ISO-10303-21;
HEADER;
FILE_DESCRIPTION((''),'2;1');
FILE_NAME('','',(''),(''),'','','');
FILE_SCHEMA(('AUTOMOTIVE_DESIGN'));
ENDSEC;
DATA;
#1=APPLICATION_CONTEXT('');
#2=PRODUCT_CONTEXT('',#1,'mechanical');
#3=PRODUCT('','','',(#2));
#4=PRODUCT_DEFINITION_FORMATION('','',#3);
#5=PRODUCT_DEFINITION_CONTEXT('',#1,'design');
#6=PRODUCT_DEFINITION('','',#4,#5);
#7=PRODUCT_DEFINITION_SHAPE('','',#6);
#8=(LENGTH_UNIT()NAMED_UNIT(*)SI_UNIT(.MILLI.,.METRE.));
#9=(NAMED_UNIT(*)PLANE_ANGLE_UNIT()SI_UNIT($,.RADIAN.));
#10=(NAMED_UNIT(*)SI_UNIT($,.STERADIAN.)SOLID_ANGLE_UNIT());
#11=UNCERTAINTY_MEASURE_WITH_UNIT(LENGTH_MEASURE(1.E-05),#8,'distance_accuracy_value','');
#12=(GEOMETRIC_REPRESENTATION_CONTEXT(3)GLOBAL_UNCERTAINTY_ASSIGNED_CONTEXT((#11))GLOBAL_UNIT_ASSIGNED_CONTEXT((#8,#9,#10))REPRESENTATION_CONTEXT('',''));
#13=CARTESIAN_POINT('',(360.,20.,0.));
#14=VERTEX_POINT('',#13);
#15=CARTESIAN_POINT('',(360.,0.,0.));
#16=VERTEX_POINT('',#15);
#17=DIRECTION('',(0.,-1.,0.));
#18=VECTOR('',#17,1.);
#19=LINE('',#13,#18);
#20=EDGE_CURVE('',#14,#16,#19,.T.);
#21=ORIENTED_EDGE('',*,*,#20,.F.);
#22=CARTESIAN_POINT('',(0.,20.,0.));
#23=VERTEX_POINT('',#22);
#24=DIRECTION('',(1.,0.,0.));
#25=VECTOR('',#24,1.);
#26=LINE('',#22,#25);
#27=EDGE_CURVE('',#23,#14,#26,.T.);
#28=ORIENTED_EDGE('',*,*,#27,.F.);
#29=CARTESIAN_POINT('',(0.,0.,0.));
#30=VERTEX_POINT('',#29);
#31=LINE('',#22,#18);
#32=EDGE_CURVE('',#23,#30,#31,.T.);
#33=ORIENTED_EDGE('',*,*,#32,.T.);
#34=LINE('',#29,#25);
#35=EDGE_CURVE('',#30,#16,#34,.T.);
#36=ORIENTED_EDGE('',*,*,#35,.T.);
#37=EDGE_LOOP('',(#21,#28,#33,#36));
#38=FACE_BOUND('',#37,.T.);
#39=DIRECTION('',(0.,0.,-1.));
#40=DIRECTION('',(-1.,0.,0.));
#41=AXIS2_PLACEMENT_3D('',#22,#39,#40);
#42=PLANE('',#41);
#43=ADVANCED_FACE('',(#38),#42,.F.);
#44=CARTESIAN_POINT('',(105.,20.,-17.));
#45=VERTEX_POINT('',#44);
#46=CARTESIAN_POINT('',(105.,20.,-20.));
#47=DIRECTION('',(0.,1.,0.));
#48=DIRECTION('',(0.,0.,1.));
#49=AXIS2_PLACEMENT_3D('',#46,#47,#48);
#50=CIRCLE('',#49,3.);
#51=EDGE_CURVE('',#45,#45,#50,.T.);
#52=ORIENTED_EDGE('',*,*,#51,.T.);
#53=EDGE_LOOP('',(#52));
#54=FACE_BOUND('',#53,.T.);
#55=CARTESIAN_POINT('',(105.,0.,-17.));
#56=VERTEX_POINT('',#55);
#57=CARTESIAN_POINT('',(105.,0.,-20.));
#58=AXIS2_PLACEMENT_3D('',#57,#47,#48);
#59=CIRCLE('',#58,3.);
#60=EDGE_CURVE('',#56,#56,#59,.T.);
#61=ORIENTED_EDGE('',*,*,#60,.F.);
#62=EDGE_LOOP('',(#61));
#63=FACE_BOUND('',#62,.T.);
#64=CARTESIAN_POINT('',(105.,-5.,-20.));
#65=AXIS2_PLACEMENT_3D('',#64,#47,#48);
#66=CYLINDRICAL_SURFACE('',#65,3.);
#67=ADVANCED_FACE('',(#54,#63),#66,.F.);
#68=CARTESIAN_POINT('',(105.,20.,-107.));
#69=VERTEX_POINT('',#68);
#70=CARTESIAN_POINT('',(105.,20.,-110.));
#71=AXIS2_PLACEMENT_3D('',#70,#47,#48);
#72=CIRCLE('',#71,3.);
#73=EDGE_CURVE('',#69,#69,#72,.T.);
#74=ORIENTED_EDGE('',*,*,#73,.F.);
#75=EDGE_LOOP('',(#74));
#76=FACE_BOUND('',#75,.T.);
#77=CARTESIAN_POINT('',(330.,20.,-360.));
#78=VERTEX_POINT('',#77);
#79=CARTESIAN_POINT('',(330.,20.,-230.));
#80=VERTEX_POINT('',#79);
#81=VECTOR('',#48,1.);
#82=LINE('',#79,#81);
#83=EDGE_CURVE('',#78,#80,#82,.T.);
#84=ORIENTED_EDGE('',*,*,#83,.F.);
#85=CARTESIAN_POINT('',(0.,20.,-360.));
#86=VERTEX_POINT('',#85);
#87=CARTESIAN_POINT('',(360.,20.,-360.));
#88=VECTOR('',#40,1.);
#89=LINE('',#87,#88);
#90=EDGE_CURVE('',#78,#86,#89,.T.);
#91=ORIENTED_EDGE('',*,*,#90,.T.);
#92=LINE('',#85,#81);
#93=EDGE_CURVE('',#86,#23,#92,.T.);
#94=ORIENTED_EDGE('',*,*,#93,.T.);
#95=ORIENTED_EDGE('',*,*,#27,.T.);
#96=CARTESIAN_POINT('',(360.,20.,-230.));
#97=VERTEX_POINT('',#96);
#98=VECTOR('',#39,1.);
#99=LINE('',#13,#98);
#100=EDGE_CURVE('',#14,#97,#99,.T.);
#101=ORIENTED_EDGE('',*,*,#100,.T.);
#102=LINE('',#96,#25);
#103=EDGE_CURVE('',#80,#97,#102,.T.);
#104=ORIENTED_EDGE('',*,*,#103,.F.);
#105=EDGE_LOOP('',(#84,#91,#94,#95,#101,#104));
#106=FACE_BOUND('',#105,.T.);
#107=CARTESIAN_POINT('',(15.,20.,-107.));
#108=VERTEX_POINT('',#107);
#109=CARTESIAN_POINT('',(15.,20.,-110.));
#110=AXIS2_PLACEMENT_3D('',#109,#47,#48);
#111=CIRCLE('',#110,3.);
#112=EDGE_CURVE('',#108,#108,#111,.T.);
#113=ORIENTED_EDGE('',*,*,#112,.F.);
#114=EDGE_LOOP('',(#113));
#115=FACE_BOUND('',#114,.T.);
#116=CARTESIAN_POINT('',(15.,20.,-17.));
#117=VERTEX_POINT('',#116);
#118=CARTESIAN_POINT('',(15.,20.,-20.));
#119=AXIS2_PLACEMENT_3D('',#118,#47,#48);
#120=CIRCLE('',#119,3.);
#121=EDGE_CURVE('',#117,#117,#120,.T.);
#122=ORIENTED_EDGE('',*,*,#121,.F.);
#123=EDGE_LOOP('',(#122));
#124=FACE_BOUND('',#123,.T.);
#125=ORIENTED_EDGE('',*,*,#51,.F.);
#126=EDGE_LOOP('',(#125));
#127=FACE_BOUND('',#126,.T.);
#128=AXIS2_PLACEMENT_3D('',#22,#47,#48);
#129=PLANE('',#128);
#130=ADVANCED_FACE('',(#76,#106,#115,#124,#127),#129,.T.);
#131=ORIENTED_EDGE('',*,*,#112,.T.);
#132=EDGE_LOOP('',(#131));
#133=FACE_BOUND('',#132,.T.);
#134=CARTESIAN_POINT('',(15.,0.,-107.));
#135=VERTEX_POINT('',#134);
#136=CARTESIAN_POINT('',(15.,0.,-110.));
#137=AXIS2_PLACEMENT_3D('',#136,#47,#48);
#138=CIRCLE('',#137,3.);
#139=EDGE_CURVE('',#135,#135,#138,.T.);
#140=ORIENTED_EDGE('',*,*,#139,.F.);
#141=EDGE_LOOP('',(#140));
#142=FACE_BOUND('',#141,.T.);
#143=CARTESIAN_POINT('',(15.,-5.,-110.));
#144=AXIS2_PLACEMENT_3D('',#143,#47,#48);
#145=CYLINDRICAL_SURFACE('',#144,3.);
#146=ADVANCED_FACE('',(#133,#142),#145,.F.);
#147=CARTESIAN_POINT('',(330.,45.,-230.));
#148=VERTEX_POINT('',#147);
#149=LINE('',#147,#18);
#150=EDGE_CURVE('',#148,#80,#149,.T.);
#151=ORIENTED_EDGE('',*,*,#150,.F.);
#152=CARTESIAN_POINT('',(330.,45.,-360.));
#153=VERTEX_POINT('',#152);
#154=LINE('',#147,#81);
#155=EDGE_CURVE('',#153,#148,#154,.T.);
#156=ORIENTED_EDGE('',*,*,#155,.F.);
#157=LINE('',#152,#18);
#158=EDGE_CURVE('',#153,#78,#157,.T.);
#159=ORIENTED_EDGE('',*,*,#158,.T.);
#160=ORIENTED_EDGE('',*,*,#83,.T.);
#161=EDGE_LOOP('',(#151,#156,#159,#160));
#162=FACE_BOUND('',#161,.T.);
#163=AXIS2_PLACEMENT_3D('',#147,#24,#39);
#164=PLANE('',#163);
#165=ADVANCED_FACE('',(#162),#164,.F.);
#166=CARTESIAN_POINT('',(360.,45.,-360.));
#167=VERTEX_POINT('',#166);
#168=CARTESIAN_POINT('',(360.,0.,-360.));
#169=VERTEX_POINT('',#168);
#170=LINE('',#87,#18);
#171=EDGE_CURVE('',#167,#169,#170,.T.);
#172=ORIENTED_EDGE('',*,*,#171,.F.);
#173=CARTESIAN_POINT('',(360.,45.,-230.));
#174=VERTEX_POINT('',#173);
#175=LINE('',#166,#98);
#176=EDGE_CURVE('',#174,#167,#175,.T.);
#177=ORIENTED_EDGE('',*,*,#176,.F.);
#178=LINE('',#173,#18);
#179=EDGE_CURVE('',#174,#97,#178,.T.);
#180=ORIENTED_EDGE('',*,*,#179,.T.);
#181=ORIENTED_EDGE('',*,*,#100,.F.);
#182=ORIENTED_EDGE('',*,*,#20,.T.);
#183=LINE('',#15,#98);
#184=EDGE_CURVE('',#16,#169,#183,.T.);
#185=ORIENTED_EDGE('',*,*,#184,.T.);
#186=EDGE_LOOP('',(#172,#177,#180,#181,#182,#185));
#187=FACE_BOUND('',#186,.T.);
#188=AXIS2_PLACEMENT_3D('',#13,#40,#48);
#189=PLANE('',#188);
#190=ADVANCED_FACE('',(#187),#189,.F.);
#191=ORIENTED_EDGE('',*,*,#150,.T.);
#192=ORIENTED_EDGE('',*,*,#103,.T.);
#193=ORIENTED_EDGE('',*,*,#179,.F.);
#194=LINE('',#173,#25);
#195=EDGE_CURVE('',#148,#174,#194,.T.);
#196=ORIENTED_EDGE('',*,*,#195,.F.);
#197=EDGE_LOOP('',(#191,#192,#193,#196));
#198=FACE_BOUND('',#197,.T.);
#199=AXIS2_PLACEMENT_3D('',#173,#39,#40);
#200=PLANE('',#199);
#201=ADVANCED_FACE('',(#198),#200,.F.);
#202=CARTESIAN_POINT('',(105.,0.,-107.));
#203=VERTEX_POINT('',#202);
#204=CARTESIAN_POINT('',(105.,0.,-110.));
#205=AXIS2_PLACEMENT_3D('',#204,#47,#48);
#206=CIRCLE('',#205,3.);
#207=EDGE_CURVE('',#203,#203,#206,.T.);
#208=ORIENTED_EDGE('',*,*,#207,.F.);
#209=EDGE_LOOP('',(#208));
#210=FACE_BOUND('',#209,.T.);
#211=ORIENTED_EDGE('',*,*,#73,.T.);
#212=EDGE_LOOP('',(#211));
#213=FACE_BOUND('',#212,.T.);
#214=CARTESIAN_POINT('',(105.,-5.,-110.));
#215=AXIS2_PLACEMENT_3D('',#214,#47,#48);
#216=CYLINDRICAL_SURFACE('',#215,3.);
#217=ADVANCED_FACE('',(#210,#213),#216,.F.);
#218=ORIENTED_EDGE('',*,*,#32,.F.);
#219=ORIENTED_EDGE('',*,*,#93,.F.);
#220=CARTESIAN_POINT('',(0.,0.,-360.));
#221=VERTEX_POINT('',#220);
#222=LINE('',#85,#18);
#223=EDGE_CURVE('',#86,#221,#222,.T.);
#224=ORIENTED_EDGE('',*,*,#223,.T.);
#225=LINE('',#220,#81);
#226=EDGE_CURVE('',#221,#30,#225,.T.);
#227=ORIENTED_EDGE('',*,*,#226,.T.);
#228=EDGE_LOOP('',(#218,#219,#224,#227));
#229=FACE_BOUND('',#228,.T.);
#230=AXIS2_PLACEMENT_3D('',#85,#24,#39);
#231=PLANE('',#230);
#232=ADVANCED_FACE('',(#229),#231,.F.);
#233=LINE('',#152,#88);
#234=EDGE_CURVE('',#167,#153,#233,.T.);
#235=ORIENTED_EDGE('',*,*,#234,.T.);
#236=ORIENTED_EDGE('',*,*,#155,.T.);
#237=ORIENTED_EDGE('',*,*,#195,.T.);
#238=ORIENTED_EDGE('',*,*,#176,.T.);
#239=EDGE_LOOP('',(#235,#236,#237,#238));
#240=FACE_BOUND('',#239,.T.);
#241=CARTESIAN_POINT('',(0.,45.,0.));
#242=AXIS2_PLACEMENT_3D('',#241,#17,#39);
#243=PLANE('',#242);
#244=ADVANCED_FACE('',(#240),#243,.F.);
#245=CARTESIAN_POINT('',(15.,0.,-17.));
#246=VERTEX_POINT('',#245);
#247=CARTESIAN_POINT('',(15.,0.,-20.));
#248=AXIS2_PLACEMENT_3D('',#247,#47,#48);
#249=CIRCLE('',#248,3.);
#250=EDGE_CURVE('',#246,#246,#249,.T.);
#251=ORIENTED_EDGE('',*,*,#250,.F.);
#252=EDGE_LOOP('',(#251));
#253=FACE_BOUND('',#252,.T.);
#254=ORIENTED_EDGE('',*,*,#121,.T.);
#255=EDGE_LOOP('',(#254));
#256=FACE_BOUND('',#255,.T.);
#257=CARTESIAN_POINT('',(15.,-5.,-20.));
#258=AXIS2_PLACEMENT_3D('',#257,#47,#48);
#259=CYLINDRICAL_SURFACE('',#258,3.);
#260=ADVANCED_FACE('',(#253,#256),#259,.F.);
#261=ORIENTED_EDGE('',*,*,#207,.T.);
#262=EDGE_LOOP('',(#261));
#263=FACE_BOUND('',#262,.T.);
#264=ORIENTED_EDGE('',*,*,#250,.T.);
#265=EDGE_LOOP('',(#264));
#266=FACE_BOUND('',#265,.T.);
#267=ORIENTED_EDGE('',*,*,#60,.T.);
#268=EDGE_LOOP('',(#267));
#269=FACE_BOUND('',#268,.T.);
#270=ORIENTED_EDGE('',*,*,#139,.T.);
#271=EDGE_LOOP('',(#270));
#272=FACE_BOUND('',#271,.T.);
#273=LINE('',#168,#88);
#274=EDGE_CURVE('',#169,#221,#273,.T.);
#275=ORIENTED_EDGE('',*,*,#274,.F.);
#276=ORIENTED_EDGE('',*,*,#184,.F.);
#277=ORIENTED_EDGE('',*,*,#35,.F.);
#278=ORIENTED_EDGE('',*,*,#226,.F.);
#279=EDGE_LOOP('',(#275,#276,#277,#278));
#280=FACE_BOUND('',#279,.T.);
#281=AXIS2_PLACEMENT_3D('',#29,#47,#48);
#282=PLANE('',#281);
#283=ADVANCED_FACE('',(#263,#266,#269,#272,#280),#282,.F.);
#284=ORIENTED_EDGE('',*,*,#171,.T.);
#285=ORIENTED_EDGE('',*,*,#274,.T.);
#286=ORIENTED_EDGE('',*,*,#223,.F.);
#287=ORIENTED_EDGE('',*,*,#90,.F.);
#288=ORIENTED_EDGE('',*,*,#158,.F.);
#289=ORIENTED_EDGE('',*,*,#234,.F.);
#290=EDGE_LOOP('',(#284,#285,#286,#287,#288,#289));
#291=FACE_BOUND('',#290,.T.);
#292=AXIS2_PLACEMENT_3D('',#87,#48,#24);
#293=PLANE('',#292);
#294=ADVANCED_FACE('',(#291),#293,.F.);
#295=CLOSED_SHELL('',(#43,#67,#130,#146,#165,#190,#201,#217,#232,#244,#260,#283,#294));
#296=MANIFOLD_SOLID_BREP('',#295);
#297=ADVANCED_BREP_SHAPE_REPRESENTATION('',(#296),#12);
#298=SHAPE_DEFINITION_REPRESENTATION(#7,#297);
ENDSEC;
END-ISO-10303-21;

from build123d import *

# Parameters (mm, degrees)
SKETCH_1_W          = 360
SKETCH_1_H          = 360
EXTRUDE_1_DEPTH     = 20
SKETCH_4_W          = 30
SKETCH_4_H          = 130
EXTRUDE_3_DEPTH     = 25
SKETCH_5_R          = 3
CUT_EXTRUDE_2_DEPTH = 25


with BuildPart() as part:
    # 草图1 → 凸台-拉伸1 (new body)
    with BuildSketch(Plane(origin=(0, 0, 0), x_dir=(1, 0, 0), z_dir=(0, 1, 0))):
        with Locations((180, 180)):
            Rectangle(SKETCH_1_W, SKETCH_1_H)
    extrude(amount=EXTRUDE_1_DEPTH)

    # 草图4 → 凸台-拉伸3 (add)
    with BuildSketch(Plane(origin=(0, 20, 0), x_dir=(1, 0, 0), z_dir=(0, 1, 0))):
        with Locations((345, 295)):
            Rectangle(SKETCH_4_W, SKETCH_4_H)
    extrude(amount=EXTRUDE_3_DEPTH)

    # 草图5 → 切除-拉伸2 (cut)
    with BuildSketch(Plane(origin=(0, 20, 0), x_dir=(1, 0, 0), z_dir=(0, 1, 0))):
        with Locations(Location((15, 110, 0), (0, 0, 270))):
            Circle(SKETCH_5_R)
        with Locations(Location((105, 110, 0), (0, 0, 270))):
            Circle(SKETCH_5_R)
        with Locations(Location((15, 20, 0), (0, 0, 270))):
            Circle(SKETCH_5_R)
        with Locations(Location((105, 20, 0), (0, 0, 270))):
            Circle(SKETCH_5_R)
    extrude(amount=-CUT_EXTRUDE_2_DEPTH, mode=Mode.SUBTRACT)


solid = part.part
